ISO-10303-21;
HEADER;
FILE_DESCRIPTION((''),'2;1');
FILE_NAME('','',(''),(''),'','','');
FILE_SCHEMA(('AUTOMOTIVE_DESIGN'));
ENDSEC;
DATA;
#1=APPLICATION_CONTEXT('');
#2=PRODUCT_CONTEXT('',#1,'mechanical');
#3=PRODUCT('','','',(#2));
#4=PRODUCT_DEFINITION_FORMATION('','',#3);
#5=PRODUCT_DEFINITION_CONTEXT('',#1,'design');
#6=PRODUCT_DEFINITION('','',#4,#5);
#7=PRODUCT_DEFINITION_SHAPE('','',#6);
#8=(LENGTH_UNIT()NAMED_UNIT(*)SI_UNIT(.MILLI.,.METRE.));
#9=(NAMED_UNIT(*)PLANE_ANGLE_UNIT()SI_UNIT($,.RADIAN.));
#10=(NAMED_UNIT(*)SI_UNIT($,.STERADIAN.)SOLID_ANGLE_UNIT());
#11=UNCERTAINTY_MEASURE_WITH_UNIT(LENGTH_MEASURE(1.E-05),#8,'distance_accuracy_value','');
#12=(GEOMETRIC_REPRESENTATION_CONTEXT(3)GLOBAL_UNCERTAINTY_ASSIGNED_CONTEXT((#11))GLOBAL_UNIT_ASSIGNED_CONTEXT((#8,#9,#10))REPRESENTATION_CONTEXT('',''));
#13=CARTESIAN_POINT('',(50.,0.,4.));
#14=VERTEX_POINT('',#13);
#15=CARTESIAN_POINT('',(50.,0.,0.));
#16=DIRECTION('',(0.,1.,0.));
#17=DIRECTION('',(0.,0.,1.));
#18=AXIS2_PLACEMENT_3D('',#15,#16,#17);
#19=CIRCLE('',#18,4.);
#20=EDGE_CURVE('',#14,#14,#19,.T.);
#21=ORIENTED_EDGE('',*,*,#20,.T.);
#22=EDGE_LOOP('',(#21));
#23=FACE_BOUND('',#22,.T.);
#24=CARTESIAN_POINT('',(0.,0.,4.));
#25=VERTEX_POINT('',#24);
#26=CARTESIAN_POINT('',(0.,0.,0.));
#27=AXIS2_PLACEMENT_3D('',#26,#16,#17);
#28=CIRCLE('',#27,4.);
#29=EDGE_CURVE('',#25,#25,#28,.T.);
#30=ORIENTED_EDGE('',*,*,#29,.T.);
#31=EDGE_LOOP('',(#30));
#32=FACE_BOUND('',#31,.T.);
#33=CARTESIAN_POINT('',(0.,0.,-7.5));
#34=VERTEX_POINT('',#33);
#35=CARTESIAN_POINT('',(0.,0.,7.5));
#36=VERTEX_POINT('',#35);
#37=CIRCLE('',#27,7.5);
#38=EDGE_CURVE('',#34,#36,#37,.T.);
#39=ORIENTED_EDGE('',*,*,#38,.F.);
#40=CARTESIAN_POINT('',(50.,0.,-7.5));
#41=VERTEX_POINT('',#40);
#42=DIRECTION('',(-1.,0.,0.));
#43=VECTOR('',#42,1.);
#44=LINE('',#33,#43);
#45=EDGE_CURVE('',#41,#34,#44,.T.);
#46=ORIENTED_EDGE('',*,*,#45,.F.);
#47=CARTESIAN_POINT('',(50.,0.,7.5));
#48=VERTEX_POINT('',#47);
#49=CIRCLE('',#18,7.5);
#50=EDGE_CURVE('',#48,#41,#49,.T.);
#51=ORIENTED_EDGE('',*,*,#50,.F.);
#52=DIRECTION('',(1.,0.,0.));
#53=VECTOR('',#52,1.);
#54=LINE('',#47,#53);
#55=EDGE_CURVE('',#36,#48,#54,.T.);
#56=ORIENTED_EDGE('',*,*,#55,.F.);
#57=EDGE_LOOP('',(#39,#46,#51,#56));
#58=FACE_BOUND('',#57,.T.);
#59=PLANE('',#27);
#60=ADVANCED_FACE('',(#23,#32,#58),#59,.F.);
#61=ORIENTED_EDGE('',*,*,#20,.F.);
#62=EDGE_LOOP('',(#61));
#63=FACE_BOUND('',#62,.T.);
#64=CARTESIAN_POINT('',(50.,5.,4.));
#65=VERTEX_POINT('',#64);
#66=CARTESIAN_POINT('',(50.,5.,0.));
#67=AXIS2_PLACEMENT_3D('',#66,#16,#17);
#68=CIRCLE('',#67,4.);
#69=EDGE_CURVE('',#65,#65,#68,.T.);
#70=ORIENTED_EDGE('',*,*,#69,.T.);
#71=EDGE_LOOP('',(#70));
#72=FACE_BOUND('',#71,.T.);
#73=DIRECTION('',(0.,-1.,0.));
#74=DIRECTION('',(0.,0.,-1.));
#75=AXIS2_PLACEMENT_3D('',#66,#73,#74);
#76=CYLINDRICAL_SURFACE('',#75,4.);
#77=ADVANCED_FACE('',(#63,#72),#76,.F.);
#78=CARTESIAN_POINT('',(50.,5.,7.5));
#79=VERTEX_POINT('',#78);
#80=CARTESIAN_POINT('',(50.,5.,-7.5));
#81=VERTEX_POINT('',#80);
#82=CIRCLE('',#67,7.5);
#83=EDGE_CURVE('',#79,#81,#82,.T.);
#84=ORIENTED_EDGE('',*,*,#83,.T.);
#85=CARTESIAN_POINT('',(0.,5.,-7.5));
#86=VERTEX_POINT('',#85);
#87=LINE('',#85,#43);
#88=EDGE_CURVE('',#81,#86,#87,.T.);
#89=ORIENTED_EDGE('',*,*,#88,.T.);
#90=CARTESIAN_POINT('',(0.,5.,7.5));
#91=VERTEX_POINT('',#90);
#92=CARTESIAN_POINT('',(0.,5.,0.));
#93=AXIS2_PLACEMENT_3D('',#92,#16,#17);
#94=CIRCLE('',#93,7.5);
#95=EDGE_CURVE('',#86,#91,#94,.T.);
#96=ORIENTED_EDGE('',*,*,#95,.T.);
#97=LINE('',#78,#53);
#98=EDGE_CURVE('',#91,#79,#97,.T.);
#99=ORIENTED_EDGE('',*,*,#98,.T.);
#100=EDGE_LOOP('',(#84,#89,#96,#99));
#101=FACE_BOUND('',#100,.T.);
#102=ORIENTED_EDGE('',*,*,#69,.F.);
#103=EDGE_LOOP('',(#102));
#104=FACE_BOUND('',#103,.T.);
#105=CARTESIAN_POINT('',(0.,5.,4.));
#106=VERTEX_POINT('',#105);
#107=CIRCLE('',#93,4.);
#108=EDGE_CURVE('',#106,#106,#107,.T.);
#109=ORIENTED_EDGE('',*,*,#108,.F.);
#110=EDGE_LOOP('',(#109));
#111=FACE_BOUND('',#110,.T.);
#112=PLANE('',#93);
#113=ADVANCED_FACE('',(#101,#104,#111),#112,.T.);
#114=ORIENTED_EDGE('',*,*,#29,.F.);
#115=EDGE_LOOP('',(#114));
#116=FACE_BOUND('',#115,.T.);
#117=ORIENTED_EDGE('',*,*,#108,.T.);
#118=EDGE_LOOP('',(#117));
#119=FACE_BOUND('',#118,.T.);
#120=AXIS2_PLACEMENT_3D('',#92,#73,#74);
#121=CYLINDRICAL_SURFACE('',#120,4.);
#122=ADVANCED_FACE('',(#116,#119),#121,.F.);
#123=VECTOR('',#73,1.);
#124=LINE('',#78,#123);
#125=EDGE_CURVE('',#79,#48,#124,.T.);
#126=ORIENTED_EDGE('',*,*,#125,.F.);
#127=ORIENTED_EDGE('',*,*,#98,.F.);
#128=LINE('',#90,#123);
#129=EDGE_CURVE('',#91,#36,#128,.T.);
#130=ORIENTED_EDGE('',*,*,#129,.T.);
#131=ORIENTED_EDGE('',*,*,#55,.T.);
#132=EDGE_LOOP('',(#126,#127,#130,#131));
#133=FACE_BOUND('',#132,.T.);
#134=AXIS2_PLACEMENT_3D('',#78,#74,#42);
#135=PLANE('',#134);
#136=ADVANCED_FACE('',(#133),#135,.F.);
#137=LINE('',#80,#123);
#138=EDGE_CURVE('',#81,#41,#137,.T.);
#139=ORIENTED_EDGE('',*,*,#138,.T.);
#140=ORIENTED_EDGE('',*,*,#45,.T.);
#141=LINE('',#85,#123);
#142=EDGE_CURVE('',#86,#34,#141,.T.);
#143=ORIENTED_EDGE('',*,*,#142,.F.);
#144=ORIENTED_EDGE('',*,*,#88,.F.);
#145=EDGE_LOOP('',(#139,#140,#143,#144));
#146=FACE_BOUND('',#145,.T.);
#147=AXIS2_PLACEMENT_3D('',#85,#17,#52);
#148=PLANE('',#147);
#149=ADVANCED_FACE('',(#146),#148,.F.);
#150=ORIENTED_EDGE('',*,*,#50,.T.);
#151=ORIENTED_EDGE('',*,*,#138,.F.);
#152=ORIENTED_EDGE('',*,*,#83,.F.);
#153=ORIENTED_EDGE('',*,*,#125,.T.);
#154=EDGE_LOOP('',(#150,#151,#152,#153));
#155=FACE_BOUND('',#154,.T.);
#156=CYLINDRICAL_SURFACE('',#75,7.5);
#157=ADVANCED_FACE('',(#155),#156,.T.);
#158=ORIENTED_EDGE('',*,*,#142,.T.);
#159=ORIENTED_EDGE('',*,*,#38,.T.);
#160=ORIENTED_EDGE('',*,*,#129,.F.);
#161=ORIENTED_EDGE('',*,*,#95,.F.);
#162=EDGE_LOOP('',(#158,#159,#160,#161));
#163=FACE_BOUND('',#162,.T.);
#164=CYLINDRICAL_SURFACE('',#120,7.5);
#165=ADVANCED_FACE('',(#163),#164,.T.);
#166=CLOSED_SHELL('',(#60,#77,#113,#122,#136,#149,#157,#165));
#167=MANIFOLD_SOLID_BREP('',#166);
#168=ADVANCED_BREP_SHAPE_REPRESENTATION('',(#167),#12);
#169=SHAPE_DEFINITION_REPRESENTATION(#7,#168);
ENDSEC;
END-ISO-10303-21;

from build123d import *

# Parameters (mm, degrees)
SKETCH1_R           = 4
BOSS_EXTRUDE1_DEPTH = 5


with BuildPart() as part:
    # Sketch1 → Boss-Extrude1 (new body)
    with BuildSketch(Plane(origin=(0, 0, 0), x_dir=(1, 0, 0), z_dir=(0, 1, 0))):
        with BuildLine():
            Line((0, 7.5), (50, 7.5))
            ThreePointArc((50, 7.5), (57.5, 0), (50, -7.5))
            Line((50, -7.5), (0, -7.5))
            ThreePointArc((0, -7.5), (-7.5, 0), (0, 7.5))
        make_face()
        Circle(SKETCH1_R, mode=Mode.SUBTRACT)
        with Locations((50, 0)):
            Circle(SKETCH1_R, mode=Mode.SUBTRACT)
    extrude(amount=BOSS_EXTRUDE1_DEPTH)


solid = part.part
